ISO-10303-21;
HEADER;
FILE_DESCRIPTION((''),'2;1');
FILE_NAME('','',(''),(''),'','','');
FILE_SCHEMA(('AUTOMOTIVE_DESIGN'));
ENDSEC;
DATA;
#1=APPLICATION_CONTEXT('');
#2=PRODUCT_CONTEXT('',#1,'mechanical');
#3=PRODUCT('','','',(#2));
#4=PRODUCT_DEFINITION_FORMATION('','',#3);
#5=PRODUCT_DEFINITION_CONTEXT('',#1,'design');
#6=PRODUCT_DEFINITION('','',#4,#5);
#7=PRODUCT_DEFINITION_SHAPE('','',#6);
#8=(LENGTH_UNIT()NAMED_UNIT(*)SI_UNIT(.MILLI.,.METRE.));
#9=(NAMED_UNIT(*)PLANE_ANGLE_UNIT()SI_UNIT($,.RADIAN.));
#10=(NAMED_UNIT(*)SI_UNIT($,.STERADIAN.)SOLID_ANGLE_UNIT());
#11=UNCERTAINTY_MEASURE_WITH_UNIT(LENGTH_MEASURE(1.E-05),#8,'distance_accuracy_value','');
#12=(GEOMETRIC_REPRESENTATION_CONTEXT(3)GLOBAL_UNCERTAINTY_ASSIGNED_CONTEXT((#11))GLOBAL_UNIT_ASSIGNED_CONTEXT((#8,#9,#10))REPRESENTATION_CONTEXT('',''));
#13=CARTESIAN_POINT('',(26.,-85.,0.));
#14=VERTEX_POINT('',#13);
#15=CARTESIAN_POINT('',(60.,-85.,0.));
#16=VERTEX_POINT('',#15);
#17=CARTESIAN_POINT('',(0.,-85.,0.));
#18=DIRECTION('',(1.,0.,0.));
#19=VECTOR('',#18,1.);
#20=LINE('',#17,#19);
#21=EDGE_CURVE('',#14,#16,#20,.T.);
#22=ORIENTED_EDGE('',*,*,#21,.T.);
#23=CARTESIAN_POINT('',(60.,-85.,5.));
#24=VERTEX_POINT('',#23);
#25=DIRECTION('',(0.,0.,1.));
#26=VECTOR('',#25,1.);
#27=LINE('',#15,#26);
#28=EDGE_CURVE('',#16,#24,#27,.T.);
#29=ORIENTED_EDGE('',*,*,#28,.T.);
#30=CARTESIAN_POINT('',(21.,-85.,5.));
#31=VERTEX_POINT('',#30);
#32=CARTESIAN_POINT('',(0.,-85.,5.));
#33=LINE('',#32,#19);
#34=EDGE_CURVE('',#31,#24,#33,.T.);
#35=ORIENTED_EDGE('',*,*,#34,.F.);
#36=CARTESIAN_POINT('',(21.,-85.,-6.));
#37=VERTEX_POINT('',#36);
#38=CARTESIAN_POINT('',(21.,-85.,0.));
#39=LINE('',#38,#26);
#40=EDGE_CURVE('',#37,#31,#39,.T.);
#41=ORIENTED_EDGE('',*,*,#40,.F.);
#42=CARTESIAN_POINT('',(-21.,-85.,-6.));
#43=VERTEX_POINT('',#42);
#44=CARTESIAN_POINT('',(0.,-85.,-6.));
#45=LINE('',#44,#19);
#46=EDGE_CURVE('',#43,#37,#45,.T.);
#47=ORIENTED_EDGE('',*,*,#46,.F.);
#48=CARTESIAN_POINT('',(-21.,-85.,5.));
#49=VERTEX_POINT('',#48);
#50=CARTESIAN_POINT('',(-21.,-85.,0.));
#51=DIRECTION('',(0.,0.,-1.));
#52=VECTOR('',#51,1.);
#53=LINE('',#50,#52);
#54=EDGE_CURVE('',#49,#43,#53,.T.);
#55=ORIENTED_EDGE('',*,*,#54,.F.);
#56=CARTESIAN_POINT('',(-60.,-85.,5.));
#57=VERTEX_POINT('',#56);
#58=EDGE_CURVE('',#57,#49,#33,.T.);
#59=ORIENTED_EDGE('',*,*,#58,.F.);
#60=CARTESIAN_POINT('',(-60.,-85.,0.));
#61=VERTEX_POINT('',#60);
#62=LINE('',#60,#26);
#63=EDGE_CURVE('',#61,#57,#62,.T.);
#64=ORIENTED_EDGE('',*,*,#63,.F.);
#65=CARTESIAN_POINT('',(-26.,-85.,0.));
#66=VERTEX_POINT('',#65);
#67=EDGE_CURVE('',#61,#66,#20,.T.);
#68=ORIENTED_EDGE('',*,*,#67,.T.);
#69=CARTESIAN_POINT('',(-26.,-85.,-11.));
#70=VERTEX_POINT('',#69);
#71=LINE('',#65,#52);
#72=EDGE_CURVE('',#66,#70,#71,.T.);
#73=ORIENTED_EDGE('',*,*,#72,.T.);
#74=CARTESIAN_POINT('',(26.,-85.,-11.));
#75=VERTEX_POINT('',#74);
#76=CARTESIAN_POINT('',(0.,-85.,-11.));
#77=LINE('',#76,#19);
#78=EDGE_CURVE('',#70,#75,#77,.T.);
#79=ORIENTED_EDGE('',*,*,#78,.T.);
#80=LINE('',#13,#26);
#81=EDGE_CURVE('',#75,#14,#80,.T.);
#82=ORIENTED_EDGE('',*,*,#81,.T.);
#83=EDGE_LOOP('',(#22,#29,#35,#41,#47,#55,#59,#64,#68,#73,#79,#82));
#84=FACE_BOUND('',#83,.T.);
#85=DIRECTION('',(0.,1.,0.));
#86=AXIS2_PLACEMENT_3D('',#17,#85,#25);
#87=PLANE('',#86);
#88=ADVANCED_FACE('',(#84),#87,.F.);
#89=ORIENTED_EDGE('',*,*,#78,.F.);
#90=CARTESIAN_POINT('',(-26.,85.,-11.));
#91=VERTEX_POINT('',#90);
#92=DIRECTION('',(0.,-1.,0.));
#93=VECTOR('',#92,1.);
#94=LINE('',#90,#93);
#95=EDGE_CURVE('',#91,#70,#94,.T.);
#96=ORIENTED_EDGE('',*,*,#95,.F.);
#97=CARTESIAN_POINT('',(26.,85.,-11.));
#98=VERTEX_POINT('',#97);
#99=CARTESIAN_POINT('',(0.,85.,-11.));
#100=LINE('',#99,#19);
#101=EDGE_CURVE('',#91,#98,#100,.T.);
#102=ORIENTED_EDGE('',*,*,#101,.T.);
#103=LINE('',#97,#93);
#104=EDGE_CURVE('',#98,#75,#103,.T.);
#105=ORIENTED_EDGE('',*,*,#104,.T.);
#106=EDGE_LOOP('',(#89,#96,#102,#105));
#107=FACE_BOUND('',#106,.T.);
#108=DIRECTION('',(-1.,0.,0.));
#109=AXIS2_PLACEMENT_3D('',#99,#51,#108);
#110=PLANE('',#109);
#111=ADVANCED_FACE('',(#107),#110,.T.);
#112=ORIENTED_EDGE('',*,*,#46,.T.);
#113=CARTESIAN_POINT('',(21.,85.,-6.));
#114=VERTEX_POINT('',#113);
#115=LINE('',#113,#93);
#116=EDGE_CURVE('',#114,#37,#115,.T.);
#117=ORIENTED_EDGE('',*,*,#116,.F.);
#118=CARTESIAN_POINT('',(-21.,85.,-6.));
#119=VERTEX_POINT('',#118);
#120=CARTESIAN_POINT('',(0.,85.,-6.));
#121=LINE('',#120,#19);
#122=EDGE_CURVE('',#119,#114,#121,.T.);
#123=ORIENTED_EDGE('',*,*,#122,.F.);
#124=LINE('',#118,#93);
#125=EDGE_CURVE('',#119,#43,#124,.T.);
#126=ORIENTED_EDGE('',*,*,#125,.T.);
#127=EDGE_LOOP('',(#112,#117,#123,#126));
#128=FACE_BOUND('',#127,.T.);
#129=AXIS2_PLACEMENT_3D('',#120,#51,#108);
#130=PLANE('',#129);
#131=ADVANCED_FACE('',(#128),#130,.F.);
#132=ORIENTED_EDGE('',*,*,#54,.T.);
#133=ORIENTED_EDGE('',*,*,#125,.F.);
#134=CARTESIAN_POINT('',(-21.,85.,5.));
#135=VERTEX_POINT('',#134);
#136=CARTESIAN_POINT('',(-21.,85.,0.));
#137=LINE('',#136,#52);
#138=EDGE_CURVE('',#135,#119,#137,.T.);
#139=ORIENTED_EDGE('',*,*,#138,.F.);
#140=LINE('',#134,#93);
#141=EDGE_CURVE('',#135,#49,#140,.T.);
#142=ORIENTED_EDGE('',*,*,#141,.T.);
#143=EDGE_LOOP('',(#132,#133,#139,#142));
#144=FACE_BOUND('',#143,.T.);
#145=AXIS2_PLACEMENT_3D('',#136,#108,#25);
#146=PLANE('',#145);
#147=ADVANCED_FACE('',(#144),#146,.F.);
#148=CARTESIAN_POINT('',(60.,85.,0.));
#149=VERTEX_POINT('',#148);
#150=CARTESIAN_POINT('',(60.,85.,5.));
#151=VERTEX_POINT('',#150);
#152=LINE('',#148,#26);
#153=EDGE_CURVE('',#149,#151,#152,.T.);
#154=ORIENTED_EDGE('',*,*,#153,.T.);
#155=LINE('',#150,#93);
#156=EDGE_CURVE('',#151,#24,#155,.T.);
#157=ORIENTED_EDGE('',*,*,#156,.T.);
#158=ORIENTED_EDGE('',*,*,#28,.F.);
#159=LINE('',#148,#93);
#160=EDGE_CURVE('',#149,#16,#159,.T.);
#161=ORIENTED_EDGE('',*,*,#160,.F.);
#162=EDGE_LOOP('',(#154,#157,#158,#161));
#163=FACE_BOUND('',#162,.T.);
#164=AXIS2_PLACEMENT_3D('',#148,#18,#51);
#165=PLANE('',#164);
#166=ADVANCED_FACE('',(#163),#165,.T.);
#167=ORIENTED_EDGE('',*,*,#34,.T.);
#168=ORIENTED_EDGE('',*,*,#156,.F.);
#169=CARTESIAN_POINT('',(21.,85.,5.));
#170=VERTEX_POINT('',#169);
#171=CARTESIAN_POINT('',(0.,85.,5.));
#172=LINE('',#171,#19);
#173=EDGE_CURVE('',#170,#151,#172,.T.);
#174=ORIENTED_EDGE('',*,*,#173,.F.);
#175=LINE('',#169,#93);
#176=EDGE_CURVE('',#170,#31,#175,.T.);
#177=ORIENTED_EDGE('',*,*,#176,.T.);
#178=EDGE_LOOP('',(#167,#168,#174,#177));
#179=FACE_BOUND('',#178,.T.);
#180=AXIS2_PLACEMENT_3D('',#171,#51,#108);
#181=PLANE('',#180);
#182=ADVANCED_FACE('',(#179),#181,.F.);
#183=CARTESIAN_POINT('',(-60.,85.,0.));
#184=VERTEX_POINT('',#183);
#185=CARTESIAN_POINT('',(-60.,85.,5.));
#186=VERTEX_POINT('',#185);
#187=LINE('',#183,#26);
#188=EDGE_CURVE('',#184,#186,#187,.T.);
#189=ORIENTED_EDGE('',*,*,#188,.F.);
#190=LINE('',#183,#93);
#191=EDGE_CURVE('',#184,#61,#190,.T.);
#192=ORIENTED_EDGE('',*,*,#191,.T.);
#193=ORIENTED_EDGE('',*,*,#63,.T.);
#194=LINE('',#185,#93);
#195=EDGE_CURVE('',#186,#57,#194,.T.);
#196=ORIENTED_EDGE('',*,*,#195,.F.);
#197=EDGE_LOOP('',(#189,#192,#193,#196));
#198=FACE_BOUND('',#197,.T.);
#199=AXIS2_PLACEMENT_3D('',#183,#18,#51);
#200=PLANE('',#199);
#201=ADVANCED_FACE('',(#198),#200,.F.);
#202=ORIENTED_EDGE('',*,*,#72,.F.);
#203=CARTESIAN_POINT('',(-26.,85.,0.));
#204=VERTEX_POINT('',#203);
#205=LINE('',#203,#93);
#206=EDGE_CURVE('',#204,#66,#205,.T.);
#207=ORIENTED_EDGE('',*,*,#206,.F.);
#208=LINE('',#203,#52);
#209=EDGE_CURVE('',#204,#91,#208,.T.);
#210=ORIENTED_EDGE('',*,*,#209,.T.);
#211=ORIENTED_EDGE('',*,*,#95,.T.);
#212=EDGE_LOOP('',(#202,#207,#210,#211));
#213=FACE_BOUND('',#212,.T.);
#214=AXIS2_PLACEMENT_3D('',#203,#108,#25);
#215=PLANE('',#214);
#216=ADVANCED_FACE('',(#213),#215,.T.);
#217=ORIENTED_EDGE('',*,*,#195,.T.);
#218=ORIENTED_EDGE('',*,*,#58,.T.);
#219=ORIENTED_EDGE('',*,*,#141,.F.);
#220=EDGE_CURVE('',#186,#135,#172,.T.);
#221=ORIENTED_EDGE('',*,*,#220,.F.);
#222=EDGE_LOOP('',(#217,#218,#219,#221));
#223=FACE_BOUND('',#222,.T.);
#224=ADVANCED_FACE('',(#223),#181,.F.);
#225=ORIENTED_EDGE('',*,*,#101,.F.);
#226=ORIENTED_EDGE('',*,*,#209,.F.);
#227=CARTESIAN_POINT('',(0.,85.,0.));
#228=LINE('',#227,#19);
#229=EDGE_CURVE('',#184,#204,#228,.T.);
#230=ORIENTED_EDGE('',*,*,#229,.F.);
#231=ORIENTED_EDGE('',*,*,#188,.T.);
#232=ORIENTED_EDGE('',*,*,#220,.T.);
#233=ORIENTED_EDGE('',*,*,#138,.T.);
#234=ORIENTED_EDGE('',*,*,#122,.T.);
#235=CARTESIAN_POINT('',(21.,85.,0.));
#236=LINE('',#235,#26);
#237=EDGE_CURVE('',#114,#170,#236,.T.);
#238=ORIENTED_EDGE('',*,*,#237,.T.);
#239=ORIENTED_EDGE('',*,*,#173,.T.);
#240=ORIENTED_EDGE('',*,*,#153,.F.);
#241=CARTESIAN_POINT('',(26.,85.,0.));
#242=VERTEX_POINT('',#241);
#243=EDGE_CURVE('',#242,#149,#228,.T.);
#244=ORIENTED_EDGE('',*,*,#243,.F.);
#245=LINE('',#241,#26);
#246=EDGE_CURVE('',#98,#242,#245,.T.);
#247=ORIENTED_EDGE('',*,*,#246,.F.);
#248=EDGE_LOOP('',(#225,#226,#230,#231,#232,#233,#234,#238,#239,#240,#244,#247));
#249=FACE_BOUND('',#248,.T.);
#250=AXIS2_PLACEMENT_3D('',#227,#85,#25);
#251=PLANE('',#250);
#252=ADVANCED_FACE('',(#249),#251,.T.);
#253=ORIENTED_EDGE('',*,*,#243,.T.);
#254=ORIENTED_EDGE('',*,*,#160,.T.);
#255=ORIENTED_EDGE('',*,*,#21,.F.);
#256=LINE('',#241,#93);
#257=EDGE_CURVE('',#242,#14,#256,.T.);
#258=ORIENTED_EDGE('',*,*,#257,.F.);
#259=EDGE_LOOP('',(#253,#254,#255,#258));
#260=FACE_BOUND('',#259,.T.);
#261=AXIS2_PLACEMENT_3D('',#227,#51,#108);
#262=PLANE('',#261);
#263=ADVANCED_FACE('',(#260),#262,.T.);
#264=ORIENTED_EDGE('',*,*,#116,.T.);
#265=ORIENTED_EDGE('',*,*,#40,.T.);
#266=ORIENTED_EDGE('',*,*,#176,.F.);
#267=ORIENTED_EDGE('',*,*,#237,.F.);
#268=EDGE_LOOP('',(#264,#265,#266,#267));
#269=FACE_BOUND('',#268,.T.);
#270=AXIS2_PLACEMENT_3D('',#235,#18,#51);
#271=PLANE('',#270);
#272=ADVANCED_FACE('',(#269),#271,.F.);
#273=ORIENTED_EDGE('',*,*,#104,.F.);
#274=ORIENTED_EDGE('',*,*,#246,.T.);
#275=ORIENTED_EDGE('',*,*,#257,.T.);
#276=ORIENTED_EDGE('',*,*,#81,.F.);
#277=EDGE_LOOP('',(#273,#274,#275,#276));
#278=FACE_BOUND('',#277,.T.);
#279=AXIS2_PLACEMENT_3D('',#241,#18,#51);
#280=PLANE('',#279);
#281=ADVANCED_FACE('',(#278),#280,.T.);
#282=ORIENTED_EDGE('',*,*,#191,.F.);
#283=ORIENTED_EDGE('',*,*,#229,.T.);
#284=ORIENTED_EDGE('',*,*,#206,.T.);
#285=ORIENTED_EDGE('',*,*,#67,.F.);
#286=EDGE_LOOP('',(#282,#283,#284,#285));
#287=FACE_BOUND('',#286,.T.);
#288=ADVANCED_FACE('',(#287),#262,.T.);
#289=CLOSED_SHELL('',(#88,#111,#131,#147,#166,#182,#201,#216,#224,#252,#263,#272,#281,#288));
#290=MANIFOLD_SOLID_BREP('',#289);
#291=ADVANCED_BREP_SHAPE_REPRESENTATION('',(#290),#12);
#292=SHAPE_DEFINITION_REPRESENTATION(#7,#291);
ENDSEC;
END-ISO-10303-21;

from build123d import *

# Parameters (mm, degrees)
BOSS_EXTRUDE1_DEPTH = 85


with BuildPart() as part:
    # Sketch1 → Boss-Extrude1 (new, symmetric)
    with BuildSketch(Plane(origin=(0, 0, 0), x_dir=(1, 0, 0), z_dir=(0, 1, 0))):
        Polygon((-60, -5), (-21, -5), (-21, 6), (21, 6), (21, -5), (60, -5), (60, 0), (26, 0), (26, 11), (-26, 11), (-26, 0), (-60, 0), align=None)
    extrude(amount=BOSS_EXTRUDE1_DEPTH, both=True)


solid = part.part
